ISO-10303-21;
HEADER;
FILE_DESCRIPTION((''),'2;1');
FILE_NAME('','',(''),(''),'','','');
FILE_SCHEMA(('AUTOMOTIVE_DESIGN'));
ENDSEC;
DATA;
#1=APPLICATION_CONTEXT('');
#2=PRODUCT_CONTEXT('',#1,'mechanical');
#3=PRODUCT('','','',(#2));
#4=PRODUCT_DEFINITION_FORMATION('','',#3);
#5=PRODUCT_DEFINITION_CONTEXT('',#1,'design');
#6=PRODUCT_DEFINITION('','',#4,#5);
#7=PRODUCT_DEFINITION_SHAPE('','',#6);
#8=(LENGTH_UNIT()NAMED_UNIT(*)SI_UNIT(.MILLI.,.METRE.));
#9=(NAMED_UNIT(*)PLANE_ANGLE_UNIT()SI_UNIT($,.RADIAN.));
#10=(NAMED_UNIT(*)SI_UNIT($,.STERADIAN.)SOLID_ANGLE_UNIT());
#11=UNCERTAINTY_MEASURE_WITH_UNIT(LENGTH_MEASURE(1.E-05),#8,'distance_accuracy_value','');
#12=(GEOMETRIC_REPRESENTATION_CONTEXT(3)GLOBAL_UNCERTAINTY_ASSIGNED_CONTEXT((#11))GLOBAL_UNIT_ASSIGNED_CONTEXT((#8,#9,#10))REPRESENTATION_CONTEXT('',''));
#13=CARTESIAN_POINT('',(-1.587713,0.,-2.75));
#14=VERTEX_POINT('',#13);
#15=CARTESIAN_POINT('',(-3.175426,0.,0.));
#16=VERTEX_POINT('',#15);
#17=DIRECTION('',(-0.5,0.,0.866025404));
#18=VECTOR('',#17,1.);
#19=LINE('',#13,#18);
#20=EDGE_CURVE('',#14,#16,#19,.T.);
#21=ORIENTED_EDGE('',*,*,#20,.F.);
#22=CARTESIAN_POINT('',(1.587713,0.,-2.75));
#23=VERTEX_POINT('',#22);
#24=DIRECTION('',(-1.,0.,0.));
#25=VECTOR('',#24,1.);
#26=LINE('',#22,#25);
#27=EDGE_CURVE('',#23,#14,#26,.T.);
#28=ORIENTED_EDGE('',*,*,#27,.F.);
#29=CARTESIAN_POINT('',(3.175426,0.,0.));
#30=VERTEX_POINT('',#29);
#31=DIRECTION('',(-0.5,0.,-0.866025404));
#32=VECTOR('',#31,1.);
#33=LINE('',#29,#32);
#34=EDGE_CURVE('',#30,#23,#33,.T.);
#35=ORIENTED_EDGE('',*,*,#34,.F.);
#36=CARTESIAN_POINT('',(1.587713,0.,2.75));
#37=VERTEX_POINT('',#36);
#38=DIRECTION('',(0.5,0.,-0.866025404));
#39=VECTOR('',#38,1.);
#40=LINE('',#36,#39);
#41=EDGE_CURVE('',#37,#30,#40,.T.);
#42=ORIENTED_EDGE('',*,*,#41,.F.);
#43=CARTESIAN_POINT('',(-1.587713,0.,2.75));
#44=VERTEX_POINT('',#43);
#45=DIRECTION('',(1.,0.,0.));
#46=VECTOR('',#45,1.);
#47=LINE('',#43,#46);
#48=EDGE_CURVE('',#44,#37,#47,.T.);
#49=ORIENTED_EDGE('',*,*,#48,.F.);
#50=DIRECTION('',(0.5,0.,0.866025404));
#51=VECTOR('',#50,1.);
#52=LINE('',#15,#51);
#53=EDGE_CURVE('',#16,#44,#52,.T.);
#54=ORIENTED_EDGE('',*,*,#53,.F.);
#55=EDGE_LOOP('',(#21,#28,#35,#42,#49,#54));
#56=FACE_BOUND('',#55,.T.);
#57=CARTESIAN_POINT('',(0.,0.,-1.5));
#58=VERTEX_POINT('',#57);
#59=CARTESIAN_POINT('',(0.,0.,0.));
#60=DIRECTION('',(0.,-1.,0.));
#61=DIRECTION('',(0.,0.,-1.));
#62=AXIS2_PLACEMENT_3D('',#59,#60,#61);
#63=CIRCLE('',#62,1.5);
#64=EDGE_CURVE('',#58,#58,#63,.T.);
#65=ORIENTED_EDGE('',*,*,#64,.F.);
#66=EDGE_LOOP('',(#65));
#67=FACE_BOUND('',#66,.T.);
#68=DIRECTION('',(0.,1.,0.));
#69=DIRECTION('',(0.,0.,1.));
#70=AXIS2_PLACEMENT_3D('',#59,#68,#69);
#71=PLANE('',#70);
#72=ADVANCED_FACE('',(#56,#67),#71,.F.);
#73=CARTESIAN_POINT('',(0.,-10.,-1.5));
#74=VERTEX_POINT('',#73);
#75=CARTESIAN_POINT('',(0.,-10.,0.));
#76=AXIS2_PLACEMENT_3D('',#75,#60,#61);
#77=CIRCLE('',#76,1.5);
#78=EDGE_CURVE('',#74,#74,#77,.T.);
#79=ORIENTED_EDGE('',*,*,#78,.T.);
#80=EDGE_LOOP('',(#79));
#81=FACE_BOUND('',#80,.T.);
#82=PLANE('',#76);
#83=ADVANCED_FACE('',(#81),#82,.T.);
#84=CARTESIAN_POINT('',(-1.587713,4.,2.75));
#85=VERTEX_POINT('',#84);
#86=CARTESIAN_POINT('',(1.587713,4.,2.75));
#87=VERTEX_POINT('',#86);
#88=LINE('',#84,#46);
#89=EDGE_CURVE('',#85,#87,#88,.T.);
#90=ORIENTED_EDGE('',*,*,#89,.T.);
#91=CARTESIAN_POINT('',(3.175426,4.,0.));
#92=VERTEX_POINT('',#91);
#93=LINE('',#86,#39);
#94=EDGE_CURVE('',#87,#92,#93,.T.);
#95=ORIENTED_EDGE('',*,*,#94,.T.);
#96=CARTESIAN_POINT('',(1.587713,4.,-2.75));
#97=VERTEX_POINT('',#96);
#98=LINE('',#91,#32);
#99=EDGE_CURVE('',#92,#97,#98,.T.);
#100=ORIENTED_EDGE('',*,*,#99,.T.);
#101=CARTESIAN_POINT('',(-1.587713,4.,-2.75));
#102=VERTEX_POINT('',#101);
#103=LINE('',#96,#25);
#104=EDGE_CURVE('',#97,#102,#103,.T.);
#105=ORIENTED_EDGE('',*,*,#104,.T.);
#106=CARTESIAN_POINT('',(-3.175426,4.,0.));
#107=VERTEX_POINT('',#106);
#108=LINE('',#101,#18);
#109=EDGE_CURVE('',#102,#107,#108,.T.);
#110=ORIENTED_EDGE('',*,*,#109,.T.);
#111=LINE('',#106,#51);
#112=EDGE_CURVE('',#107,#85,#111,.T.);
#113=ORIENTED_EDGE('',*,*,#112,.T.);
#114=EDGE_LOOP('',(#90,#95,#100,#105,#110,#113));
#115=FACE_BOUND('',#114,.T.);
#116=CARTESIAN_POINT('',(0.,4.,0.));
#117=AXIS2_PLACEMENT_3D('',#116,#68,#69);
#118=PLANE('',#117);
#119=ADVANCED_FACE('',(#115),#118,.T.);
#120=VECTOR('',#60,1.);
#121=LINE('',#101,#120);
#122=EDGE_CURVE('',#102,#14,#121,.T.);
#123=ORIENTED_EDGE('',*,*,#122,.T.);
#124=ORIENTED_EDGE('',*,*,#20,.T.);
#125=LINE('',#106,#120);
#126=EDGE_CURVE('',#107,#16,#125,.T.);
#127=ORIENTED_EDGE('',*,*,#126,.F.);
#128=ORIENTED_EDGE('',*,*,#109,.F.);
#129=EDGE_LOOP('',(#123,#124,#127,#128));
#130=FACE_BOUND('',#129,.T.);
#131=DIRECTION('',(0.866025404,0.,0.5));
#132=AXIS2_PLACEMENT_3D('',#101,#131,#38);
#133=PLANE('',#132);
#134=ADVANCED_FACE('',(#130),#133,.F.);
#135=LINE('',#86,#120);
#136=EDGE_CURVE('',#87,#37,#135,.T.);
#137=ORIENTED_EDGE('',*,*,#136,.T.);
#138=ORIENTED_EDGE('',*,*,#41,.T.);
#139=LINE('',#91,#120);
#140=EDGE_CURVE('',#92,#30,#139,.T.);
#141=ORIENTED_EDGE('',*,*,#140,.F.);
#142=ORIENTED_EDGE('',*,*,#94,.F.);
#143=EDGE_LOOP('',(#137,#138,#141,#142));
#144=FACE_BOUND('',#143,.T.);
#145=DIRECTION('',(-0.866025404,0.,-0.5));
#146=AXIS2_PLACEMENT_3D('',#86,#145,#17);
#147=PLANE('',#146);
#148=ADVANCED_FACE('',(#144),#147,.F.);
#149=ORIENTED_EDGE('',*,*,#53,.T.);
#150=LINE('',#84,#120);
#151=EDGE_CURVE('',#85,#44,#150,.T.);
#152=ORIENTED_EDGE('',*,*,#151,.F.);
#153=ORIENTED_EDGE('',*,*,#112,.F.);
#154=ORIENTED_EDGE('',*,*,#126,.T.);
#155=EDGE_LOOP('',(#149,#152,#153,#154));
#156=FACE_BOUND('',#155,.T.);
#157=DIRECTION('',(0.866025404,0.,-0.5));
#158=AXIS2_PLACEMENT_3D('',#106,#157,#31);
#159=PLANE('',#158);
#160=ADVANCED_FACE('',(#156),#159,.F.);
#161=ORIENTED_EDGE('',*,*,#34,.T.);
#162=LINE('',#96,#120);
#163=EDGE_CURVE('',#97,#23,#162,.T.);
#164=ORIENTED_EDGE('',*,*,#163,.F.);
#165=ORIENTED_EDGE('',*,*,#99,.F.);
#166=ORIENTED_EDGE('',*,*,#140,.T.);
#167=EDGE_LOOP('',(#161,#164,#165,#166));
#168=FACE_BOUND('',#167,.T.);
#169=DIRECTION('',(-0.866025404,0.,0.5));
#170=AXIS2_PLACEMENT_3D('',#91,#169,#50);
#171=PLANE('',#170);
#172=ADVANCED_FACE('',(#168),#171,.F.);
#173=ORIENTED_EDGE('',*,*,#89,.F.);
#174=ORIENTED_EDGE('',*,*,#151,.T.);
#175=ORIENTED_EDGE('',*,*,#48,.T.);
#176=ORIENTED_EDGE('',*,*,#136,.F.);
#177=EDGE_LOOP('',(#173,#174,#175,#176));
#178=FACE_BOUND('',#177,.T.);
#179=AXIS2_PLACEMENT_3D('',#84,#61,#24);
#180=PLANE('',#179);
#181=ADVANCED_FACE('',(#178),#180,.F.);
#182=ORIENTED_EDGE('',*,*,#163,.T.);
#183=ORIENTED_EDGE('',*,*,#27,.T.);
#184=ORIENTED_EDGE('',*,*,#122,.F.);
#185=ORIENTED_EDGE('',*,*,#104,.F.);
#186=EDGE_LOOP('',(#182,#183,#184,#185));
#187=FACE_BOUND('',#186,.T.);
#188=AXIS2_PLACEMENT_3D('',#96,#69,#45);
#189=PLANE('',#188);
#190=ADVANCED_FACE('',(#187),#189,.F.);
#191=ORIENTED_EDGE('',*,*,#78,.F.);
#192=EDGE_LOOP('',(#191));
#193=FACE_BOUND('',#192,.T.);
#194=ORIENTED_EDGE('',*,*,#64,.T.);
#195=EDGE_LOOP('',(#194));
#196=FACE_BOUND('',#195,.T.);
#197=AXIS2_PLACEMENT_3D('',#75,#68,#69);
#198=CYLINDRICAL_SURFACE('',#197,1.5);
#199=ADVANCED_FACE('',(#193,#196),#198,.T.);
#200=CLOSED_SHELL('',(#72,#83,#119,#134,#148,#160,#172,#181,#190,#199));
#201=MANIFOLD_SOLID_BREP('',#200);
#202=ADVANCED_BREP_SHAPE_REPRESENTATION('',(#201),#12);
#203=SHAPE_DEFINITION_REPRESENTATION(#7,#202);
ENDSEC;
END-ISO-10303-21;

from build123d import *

# Parameters (mm, degrees)
BOSS_EXTRUDE1_DEPTH = 4
SKETCH2_R           = 1.5
BOSS_EXTRUDE2_DEPTH = 10


with BuildPart() as part:
    # Sketch1 → Boss-Extrude1 (new body)
    with BuildSketch(Plane(origin=(0, 0, 0), x_dir=(1, 0, 0), z_dir=(0, 1, 0))):
        Polygon((3.175426481, 0), (1.58771324, 2.75), (-1.58771324, 2.75), (-3.175426481, 0), (-1.58771324, -2.75), (1.58771324, -2.75), align=None)
    extrude(amount=BOSS_EXTRUDE1_DEPTH)

    # Sketch2 → Boss-Extrude2 (add)
    with BuildSketch(Plane.XZ):
        with Locations(Location((0, 0, 0), (0, 0, 270))):
            Circle(SKETCH2_R)
    extrude(amount=BOSS_EXTRUDE2_DEPTH)


solid = part.part
